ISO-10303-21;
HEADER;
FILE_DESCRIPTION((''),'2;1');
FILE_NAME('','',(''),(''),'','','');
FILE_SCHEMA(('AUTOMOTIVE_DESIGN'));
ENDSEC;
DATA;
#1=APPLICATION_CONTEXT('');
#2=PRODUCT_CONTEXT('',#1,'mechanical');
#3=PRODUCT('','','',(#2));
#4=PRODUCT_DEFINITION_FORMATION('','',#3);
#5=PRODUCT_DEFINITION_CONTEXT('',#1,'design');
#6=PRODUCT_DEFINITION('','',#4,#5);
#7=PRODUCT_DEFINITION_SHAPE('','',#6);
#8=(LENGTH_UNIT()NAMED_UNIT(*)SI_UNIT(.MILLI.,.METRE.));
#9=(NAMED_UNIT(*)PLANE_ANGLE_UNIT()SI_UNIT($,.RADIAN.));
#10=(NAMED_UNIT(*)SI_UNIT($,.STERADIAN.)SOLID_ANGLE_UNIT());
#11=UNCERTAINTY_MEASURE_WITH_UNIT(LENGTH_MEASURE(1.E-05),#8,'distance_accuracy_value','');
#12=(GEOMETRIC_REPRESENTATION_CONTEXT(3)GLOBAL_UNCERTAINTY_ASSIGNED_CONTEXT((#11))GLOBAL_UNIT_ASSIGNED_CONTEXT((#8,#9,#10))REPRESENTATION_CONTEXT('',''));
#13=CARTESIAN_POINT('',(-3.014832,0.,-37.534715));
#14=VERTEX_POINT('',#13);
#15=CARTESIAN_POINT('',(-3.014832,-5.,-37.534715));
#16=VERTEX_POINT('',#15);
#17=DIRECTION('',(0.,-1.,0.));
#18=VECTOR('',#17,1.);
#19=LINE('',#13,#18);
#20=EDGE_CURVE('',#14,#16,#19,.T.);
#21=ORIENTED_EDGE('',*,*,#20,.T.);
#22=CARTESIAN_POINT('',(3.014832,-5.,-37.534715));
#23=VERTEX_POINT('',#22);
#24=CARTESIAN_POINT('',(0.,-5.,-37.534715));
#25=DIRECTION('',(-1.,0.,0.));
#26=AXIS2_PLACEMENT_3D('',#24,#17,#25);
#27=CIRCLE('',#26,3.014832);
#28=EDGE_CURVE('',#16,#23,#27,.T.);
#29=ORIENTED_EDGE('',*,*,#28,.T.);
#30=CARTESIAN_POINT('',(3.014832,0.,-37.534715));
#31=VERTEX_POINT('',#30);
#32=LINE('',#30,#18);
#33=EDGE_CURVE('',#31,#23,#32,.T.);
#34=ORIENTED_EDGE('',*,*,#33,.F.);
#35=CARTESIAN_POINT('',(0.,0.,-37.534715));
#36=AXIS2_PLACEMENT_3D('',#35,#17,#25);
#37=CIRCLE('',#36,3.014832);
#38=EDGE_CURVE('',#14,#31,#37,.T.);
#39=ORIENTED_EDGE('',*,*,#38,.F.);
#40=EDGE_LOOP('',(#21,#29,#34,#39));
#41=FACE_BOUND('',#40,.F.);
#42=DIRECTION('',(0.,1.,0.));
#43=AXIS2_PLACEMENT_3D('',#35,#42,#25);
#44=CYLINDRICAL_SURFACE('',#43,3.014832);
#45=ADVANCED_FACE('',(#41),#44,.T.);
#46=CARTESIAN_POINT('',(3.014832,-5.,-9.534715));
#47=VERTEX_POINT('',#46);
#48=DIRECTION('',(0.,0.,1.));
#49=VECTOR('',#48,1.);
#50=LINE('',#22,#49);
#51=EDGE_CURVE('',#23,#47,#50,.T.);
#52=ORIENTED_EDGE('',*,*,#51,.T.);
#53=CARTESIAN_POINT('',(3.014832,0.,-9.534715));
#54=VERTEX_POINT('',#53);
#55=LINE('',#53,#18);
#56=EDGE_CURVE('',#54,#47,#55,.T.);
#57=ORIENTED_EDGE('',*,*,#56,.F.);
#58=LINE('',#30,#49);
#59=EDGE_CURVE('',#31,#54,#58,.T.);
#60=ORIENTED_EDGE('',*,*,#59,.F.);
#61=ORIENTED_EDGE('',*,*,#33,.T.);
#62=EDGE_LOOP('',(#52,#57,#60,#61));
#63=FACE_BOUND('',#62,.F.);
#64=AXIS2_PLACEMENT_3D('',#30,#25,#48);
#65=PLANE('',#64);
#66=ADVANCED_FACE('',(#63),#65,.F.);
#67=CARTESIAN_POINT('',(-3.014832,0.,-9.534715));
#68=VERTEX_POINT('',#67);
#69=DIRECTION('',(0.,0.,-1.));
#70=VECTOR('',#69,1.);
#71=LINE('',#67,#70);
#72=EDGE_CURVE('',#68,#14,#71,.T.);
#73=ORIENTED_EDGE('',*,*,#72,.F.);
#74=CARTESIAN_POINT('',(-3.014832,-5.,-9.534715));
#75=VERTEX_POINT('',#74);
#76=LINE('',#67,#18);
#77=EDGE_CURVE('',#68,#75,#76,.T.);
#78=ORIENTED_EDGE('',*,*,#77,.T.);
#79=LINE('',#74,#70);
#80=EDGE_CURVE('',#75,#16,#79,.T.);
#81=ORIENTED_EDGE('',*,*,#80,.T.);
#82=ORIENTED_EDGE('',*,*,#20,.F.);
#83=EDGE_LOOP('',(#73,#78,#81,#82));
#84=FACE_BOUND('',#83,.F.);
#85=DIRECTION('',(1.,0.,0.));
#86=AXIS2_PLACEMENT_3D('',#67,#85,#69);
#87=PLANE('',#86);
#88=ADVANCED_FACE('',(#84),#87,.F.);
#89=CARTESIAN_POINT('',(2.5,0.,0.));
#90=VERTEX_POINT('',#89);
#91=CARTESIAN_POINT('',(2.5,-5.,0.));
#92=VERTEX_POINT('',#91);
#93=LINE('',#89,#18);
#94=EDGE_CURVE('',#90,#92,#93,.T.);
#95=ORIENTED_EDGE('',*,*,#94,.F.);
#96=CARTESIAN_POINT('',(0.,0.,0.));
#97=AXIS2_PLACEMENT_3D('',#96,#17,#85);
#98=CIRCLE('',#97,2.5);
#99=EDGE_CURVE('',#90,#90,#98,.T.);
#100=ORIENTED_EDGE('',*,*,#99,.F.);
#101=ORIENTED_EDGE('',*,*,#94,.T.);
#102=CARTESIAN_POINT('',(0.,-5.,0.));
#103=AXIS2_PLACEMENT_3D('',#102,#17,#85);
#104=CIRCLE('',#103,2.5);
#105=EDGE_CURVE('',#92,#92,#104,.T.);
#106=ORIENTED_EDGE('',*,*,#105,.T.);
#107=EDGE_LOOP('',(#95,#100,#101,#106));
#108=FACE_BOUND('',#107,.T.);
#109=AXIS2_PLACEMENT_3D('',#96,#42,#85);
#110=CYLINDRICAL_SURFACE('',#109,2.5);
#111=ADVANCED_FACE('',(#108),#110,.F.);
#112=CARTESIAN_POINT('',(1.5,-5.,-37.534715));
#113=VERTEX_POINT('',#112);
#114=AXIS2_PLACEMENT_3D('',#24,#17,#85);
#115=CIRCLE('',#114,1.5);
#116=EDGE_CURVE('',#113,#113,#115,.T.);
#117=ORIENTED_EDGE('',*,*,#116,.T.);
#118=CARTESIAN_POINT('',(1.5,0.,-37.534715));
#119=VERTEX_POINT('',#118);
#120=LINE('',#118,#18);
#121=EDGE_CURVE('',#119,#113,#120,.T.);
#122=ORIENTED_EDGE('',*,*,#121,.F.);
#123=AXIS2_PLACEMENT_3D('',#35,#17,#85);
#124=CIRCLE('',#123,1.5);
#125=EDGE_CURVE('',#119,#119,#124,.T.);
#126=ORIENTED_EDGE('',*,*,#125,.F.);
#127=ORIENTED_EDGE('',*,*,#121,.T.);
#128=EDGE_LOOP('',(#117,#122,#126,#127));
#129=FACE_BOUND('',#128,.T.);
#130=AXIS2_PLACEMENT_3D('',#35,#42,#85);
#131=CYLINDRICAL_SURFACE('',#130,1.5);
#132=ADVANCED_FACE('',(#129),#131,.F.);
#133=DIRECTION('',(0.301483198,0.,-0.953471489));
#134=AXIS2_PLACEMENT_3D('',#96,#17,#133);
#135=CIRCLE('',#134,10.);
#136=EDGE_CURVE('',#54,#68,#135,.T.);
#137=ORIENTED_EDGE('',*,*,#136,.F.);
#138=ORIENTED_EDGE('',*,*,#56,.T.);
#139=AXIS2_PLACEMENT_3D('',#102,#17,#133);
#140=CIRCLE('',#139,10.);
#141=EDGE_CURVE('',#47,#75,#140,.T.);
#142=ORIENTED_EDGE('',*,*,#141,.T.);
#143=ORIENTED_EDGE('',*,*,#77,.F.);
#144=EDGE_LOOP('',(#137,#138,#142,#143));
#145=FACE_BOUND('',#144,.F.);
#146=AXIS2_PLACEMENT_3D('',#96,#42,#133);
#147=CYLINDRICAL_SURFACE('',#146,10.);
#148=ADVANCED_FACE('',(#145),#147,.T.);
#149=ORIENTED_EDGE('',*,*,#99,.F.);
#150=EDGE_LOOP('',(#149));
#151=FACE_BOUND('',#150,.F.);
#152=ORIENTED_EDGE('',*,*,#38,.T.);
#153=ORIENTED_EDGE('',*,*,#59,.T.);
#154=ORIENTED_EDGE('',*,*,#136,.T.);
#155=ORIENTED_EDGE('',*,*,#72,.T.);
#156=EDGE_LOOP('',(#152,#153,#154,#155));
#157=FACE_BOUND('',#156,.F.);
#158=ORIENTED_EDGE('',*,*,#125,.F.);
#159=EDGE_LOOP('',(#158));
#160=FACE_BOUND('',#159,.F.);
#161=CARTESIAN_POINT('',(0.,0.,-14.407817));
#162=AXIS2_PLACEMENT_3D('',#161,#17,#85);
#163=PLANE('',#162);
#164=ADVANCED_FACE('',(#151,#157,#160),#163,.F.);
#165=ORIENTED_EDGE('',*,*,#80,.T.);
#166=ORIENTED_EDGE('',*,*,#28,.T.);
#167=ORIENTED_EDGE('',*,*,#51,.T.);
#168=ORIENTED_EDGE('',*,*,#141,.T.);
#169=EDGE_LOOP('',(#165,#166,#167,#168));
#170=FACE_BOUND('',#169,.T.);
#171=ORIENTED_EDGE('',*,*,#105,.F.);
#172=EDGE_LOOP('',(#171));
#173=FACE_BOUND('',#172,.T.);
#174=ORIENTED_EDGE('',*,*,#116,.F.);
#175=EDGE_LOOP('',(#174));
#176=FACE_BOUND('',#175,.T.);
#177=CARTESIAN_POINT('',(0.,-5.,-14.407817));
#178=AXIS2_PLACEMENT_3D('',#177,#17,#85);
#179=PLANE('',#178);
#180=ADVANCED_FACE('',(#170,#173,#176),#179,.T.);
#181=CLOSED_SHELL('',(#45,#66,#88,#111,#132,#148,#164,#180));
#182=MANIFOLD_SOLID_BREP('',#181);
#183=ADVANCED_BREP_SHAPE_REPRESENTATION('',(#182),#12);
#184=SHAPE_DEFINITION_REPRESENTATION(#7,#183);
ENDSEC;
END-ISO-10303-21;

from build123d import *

# Parameters (mm, degrees)
F0_R     = 1.5
F0_R_2   = 2.5
F1_DEPTH = 5


with BuildPart() as f1:
    # F0 (on Front) → F1 (new body)
    with BuildSketch(Plane.XZ):
        with BuildLine():
            Line((3.014832, -37.534715), (3.014832, -9.534715))
            ThreePointArc((3.014832, -9.534715), (0, 10), (-3.014832, -9.534715))
            Line((-3.014832, -9.534715), (-3.014832, -37.534715))
            ThreePointArc((-3.014832, -37.534715), (0, -40.549547), (3.014832, -37.534715))
        make_face()
        with Locations((0, -37.534715)):
            Circle(F0_R, mode=Mode.SUBTRACT)
        Circle(F0_R_2, mode=Mode.SUBTRACT)
    extrude(amount=F1_DEPTH)


solid = f1.part
